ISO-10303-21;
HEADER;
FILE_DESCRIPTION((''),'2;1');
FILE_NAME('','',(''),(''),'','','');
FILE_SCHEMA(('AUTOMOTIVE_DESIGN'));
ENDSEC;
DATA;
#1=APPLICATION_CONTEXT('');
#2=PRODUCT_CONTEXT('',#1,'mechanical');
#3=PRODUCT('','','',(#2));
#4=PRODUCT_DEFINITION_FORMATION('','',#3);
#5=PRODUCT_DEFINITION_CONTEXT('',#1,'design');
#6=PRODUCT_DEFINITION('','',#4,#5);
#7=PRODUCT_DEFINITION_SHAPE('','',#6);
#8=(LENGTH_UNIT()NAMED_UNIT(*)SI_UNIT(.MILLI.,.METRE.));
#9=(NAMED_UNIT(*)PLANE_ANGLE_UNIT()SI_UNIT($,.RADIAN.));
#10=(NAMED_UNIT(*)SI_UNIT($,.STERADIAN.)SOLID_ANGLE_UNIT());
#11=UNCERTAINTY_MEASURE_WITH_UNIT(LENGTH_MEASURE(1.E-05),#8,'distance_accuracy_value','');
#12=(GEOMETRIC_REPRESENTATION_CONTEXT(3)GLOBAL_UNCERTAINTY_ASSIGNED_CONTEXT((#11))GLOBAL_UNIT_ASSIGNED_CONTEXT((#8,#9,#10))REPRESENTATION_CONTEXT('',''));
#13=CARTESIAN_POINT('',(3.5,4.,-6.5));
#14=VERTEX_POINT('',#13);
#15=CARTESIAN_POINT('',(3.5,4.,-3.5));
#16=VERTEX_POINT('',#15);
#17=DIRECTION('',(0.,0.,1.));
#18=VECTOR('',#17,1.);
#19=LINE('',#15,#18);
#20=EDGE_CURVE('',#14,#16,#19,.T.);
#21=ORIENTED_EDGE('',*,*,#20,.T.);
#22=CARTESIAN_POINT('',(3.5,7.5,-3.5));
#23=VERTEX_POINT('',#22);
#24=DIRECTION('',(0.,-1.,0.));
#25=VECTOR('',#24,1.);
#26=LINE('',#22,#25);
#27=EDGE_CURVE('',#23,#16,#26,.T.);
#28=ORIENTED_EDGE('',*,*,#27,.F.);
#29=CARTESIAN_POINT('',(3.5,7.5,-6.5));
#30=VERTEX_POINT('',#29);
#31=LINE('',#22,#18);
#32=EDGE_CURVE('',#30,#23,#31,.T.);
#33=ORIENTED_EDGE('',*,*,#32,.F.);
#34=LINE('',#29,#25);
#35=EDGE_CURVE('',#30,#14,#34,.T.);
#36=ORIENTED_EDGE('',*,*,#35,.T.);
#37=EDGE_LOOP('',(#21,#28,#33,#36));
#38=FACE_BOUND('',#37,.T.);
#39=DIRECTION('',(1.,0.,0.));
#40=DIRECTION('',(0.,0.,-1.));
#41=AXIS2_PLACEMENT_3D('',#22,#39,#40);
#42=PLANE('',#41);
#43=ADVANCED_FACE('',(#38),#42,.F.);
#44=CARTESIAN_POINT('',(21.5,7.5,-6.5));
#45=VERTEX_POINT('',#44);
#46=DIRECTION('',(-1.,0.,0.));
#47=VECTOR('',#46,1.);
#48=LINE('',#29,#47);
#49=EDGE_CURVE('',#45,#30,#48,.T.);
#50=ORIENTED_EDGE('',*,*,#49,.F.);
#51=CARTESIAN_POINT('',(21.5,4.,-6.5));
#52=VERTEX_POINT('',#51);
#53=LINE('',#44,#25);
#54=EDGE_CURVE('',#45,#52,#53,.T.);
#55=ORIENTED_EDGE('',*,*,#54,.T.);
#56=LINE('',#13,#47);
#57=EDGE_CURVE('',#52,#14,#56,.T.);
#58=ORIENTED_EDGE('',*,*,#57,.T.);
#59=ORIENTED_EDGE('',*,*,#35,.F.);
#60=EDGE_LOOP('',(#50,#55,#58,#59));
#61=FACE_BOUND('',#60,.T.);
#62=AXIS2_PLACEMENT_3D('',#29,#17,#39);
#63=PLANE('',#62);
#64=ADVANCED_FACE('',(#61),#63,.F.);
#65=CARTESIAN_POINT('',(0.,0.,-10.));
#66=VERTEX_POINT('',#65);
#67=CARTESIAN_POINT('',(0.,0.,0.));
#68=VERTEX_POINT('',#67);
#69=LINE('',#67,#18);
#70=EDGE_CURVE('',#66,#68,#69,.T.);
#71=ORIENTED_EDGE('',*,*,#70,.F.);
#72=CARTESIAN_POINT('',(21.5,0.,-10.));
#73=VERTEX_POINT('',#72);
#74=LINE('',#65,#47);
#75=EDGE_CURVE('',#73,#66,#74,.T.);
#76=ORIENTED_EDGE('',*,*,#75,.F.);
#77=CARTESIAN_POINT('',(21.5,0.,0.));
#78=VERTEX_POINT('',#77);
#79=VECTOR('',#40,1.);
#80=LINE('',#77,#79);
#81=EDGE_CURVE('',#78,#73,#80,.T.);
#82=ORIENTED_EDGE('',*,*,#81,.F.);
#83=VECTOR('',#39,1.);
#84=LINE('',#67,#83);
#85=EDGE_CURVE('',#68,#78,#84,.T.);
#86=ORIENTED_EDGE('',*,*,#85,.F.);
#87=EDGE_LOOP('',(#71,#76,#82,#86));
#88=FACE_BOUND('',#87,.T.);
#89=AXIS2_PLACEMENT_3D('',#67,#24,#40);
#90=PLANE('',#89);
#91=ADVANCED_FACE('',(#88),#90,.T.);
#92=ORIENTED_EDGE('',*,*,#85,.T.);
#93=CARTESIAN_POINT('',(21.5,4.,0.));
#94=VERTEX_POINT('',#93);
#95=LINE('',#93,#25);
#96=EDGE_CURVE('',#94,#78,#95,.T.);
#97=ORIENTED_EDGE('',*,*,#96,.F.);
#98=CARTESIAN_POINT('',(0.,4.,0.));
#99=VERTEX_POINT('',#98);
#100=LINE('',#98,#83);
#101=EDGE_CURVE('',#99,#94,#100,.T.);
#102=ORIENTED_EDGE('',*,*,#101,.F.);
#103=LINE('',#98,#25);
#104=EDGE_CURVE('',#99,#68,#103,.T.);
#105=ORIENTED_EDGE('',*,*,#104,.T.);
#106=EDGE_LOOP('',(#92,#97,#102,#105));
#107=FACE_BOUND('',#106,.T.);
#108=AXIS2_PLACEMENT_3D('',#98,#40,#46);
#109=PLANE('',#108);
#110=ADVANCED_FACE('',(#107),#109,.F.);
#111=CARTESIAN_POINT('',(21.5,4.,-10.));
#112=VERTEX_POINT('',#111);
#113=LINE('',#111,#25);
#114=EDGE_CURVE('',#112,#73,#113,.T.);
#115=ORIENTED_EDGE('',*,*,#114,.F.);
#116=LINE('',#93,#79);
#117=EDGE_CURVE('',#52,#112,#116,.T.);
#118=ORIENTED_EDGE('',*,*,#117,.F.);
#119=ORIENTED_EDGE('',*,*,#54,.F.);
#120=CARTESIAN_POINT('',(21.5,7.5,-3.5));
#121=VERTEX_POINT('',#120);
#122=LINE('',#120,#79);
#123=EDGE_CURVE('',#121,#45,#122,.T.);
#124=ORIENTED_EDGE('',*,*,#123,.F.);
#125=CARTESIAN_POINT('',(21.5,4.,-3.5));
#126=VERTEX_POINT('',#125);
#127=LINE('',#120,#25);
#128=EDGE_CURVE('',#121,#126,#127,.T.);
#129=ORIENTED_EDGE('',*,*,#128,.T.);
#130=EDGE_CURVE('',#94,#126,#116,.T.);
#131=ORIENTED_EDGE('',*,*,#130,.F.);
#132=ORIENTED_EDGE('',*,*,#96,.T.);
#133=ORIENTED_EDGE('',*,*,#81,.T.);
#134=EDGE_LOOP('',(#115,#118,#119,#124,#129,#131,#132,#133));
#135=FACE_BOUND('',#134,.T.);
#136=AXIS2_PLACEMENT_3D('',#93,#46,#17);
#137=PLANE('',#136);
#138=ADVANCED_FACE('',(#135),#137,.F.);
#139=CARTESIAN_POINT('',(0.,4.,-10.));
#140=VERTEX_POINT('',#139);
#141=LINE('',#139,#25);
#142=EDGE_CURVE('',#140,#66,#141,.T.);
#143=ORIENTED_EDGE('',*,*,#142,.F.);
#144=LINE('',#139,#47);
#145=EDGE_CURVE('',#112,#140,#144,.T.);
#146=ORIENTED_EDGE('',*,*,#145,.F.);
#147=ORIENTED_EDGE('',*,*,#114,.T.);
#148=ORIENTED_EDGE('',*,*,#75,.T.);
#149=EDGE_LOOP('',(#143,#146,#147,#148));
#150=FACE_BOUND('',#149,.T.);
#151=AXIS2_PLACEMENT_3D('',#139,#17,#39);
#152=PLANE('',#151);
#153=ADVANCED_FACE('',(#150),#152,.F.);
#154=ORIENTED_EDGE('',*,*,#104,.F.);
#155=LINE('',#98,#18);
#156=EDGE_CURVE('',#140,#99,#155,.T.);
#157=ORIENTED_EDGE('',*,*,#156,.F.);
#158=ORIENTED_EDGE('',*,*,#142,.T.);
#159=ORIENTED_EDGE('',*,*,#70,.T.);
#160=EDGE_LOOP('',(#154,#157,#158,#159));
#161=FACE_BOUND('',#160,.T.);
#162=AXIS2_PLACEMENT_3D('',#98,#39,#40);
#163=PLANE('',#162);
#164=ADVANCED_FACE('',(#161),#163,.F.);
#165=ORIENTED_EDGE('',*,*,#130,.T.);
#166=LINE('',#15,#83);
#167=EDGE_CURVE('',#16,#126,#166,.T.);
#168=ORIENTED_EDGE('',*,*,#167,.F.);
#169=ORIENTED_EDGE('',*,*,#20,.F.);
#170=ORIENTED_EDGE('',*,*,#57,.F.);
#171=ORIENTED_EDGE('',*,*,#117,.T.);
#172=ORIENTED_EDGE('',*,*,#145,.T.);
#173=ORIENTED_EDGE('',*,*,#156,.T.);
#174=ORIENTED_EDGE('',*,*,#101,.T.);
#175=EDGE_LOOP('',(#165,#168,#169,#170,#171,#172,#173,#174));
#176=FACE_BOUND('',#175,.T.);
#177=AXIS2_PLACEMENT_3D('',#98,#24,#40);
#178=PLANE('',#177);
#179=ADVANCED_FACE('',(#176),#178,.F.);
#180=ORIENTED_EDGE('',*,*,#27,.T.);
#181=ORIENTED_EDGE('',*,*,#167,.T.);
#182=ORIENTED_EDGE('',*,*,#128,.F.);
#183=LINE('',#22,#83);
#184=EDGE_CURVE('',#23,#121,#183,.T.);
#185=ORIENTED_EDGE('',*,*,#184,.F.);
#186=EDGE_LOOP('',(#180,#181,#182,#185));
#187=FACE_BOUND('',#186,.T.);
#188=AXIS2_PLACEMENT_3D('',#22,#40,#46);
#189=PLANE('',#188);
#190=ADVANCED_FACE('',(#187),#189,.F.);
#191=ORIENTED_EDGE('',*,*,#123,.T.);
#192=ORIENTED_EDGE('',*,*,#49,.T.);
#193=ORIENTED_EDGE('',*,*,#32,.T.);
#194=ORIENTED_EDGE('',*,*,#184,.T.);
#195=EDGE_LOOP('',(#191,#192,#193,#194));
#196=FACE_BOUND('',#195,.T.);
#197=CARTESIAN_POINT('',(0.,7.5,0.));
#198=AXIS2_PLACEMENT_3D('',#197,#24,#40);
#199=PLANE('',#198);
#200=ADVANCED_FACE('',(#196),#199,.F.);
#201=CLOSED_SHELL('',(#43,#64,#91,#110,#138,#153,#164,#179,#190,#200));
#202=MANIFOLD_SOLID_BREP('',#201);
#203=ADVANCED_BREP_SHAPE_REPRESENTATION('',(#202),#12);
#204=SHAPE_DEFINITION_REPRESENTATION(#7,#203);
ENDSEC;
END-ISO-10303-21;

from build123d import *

# Parameters (mm, degrees)
SKETCH1_W           = 21.5
SKETCH1_H           = 10
BOSS_EXTRUDE1_DEPTH = 4
SKETCH2_W           = 18
SKETCH2_H           = 3
BOSS_EXTRUDE2_DEPTH = 3.5


with BuildPart() as part:
    # Sketch1 → Boss-Extrude1 (new body)
    with BuildSketch(Plane(origin=(0, 0, 0), x_dir=(1, 0, 0), z_dir=(0, 1, 0))):
        with Locations((10.75, 5)):
            Rectangle(SKETCH1_W, SKETCH1_H)
    extrude(amount=BOSS_EXTRUDE1_DEPTH)

    # Sketch2 → Boss-Extrude2 (add)
    with BuildSketch(Plane(origin=(0, 4, 0), x_dir=(1, 0, 0), z_dir=(0, 1, 0))):
        with Locations((12.5, 5)):
            Rectangle(SKETCH2_W, SKETCH2_H)
    extrude(amount=BOSS_EXTRUDE2_DEPTH)


solid = part.part
